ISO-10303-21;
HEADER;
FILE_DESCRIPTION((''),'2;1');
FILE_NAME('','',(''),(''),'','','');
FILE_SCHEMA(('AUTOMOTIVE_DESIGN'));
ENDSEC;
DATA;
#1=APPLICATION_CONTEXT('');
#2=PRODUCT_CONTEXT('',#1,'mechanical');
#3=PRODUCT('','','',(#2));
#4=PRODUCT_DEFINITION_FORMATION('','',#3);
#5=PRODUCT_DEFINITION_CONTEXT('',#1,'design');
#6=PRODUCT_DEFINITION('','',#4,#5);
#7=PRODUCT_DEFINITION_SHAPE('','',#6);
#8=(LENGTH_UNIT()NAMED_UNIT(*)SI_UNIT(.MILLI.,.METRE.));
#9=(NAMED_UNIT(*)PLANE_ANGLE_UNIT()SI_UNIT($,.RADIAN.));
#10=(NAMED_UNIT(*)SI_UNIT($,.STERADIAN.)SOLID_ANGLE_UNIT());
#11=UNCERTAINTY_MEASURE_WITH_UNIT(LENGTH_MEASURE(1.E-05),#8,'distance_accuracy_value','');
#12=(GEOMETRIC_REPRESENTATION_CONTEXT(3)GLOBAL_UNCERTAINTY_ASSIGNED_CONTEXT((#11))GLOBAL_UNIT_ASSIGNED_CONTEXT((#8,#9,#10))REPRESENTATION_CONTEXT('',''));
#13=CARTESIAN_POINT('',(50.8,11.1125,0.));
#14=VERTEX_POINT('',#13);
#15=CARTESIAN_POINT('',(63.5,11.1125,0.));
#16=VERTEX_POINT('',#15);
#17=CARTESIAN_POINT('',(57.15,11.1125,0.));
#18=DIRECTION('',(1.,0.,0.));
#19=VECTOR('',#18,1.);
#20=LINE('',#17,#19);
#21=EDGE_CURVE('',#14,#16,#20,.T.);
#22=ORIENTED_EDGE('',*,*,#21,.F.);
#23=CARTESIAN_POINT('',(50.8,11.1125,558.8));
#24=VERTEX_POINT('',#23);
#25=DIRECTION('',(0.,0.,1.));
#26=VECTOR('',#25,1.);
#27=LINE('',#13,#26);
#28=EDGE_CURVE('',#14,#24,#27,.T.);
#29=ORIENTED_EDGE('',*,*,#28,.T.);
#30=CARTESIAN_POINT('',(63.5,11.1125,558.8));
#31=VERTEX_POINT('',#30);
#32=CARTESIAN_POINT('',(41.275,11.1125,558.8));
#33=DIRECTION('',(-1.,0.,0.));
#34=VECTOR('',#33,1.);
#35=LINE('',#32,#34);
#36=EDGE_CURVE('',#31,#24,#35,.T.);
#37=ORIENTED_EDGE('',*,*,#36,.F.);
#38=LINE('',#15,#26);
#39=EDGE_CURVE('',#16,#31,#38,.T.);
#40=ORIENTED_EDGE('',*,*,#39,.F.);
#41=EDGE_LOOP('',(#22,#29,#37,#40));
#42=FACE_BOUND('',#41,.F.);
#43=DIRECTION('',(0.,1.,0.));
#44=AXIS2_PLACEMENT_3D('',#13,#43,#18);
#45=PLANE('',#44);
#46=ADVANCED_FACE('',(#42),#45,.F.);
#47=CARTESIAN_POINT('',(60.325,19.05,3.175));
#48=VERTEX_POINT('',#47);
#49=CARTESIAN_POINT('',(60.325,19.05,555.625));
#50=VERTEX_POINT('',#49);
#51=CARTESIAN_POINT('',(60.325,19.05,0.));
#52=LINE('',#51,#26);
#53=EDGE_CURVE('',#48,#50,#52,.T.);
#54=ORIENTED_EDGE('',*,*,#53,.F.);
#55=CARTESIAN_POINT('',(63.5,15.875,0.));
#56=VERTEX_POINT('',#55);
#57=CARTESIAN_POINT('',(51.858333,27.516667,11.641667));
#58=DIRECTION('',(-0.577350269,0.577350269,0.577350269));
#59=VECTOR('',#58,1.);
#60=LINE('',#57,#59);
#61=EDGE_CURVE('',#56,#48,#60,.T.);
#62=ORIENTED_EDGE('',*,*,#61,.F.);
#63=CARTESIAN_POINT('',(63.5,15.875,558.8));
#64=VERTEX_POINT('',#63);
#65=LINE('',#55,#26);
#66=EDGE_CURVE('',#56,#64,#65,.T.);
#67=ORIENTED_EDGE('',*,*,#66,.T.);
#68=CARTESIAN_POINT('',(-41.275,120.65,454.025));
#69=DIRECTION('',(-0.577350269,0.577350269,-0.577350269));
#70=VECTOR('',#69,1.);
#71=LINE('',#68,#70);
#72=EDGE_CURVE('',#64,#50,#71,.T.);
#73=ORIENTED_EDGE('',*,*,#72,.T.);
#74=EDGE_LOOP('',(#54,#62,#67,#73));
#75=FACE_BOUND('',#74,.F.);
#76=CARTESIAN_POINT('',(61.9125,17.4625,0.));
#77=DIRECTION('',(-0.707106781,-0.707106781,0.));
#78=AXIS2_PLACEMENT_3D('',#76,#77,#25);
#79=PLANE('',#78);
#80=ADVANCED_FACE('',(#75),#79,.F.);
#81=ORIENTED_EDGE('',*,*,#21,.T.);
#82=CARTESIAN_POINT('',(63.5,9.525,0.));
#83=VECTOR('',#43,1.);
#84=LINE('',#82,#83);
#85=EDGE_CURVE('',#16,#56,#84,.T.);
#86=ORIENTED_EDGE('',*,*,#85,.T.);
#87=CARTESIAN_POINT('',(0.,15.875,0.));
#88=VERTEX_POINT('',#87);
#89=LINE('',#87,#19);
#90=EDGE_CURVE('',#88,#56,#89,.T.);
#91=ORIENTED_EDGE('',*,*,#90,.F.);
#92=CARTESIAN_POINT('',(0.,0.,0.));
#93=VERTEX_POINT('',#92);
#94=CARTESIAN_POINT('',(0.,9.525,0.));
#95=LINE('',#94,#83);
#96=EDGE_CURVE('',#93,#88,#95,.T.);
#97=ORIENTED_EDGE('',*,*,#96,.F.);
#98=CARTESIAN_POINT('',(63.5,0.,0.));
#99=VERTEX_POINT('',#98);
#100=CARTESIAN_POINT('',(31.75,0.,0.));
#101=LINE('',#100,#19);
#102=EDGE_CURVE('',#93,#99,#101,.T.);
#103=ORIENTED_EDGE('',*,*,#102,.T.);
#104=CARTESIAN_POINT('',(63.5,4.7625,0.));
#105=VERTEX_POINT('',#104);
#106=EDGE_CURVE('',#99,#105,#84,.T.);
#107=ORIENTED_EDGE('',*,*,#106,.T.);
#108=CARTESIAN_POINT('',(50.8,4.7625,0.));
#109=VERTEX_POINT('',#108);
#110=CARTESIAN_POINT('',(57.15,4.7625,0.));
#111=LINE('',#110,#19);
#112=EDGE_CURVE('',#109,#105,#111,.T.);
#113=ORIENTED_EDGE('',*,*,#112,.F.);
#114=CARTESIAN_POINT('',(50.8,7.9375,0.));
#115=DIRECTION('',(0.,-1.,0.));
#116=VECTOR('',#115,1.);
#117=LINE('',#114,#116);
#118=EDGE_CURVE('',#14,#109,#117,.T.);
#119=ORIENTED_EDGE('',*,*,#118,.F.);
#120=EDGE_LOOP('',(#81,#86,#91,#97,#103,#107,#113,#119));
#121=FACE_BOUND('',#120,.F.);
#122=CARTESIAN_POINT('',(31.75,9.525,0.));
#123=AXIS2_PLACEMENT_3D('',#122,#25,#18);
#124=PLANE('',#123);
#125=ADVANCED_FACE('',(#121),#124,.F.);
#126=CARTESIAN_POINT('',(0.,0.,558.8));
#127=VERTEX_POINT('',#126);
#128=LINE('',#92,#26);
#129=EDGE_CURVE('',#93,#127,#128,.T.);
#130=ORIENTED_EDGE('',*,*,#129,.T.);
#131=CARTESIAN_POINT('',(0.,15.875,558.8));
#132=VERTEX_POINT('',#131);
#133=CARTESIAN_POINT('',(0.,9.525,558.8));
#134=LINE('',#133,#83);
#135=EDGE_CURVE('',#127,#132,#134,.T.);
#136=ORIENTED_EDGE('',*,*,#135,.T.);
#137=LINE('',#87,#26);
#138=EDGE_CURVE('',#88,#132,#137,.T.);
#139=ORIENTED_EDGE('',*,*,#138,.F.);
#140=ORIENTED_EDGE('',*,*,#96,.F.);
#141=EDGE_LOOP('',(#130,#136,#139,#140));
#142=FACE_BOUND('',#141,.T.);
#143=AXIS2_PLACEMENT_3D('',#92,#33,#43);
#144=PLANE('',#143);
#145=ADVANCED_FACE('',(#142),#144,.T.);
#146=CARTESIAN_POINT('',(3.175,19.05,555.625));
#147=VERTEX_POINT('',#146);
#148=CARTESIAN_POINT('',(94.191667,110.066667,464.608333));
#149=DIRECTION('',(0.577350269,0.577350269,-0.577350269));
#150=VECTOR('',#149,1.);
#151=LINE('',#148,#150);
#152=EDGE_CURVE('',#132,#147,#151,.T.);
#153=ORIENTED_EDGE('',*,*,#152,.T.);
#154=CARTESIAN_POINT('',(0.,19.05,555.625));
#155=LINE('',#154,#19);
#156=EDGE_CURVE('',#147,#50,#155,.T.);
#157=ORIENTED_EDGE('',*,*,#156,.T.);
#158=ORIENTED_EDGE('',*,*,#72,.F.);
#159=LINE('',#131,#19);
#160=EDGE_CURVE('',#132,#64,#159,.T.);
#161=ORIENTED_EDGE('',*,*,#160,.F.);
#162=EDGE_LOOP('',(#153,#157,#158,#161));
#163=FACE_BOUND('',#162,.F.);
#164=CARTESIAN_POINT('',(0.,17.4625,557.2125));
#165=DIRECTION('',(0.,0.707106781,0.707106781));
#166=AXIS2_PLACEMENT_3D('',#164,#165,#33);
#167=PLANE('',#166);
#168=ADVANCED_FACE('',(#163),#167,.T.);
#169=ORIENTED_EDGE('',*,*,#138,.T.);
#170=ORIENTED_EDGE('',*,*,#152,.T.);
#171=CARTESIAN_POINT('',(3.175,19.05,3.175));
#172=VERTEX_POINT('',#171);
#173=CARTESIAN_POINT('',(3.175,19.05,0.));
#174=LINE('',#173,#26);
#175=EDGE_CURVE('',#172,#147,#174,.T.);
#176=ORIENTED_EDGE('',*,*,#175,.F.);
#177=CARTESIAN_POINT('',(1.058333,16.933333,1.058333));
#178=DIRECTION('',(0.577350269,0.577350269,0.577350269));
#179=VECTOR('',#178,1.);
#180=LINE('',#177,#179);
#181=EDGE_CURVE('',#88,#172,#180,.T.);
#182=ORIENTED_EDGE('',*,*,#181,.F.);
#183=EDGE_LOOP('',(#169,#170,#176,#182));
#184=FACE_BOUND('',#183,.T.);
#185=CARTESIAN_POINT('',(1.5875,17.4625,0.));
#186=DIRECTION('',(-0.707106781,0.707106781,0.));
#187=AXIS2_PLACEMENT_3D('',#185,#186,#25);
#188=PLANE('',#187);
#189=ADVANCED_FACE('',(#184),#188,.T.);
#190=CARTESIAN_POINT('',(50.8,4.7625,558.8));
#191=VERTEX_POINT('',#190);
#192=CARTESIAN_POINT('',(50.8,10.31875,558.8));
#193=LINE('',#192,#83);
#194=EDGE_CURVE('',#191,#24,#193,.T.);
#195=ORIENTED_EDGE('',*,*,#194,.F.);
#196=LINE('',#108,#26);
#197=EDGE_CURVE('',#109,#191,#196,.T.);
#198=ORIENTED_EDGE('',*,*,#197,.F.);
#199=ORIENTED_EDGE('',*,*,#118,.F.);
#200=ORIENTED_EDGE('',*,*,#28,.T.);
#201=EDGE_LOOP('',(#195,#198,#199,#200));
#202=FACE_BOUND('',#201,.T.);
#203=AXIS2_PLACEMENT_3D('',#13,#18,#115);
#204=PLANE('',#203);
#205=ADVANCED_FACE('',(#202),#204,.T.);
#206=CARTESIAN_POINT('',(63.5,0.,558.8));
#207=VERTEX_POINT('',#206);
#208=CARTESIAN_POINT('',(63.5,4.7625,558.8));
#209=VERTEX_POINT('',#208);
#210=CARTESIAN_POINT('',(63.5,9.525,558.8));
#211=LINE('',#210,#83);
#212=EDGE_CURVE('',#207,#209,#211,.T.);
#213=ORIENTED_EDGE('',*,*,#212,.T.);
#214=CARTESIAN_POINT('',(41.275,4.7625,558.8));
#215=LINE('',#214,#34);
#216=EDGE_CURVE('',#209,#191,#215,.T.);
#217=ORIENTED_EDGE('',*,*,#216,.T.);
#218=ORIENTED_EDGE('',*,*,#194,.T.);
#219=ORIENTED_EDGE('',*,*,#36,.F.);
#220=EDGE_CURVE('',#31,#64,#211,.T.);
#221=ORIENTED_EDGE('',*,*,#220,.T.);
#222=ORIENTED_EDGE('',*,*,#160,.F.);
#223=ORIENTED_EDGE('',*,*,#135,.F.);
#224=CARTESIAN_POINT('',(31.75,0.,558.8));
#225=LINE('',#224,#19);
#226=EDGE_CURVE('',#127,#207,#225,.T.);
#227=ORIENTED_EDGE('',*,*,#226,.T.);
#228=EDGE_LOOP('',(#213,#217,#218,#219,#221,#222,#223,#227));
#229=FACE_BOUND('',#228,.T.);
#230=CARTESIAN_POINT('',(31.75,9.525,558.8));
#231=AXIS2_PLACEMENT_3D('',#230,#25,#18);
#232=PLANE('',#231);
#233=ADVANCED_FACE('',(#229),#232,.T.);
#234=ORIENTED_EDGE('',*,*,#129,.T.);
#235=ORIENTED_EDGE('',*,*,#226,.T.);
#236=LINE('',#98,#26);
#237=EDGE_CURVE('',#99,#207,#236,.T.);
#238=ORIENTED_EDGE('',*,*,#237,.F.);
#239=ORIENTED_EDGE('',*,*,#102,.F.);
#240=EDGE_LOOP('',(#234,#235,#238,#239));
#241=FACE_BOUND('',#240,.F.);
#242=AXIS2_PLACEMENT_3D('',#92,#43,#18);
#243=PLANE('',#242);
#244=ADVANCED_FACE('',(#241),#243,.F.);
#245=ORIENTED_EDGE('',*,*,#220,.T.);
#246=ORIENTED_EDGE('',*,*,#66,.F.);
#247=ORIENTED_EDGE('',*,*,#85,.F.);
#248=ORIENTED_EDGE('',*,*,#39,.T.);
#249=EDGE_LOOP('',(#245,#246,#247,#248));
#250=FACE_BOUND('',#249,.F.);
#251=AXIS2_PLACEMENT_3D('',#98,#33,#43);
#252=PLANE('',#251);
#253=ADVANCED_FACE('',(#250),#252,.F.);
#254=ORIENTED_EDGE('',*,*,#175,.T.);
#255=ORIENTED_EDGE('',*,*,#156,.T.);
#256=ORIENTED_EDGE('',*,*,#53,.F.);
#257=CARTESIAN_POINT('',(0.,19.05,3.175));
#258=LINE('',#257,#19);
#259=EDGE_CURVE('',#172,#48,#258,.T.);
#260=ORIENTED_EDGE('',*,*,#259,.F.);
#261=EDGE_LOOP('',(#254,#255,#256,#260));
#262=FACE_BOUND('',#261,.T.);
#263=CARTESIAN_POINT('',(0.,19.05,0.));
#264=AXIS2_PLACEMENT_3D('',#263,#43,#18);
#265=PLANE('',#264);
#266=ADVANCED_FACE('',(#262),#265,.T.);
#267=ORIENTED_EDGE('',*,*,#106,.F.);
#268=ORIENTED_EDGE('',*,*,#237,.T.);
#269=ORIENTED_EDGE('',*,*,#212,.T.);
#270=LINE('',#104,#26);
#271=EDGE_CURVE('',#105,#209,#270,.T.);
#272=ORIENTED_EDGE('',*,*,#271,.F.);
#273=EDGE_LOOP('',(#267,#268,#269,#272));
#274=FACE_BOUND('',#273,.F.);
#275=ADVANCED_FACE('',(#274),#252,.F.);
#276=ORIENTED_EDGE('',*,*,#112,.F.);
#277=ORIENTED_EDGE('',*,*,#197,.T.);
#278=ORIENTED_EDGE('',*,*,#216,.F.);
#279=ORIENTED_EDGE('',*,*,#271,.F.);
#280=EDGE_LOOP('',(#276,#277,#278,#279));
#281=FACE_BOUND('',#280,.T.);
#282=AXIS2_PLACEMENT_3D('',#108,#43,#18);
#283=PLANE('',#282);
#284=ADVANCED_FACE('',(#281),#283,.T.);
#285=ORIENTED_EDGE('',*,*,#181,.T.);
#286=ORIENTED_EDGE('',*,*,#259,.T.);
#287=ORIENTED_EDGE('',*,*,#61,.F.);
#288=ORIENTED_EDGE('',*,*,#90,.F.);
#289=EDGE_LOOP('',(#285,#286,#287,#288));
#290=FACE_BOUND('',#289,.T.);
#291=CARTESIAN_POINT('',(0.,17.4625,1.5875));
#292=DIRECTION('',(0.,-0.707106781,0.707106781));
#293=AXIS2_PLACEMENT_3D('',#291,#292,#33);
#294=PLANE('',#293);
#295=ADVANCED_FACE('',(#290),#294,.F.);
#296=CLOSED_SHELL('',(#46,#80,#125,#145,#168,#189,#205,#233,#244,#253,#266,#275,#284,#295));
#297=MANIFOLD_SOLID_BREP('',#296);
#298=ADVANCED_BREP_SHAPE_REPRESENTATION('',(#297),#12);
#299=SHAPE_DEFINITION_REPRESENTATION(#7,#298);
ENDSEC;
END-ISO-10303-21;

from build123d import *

# Parameters (mm, degrees)
F0_W     = 63.5
F0_H     = 19.05
F1_DEPTH = 558.8
F2_SIZE  = 3.175
F3_W     = 12.7
F3_H     = 6.35
F4_DEPTH = 558.801


with BuildPart() as f1:
    # F0 (on Top) → F1 (new body)
    with BuildSketch(Plane.XY):
        with Locations((31.75, 9.525)):
            Rectangle(F0_W, F0_H)
    extrude(amount=F1_DEPTH)

    # F2
    f2_edges = [f1.edges().sort_by_distance(p)[0] for p in [
        (0, 19.05, 279.4),
        (63.5, 19.05, 279.4),
        (31.75, 19.05, 0),
        (31.75, 19.05, 558.8),
    ]]
    chamfer(f2_edges, length=F2_SIZE)

    # F3 (on face) → F4 (cut, through all)
    with BuildSketch(Plane(origin=(0, 0, 0), x_dir=(1, 0, 0), z_dir=(0, 0, -1))):
        with Locations((57.15, -7.9375)):
            Rectangle(F3_W, F3_H)
    extrude(amount=-F4_DEPTH, mode=Mode.SUBTRACT)


solid = f1.part
